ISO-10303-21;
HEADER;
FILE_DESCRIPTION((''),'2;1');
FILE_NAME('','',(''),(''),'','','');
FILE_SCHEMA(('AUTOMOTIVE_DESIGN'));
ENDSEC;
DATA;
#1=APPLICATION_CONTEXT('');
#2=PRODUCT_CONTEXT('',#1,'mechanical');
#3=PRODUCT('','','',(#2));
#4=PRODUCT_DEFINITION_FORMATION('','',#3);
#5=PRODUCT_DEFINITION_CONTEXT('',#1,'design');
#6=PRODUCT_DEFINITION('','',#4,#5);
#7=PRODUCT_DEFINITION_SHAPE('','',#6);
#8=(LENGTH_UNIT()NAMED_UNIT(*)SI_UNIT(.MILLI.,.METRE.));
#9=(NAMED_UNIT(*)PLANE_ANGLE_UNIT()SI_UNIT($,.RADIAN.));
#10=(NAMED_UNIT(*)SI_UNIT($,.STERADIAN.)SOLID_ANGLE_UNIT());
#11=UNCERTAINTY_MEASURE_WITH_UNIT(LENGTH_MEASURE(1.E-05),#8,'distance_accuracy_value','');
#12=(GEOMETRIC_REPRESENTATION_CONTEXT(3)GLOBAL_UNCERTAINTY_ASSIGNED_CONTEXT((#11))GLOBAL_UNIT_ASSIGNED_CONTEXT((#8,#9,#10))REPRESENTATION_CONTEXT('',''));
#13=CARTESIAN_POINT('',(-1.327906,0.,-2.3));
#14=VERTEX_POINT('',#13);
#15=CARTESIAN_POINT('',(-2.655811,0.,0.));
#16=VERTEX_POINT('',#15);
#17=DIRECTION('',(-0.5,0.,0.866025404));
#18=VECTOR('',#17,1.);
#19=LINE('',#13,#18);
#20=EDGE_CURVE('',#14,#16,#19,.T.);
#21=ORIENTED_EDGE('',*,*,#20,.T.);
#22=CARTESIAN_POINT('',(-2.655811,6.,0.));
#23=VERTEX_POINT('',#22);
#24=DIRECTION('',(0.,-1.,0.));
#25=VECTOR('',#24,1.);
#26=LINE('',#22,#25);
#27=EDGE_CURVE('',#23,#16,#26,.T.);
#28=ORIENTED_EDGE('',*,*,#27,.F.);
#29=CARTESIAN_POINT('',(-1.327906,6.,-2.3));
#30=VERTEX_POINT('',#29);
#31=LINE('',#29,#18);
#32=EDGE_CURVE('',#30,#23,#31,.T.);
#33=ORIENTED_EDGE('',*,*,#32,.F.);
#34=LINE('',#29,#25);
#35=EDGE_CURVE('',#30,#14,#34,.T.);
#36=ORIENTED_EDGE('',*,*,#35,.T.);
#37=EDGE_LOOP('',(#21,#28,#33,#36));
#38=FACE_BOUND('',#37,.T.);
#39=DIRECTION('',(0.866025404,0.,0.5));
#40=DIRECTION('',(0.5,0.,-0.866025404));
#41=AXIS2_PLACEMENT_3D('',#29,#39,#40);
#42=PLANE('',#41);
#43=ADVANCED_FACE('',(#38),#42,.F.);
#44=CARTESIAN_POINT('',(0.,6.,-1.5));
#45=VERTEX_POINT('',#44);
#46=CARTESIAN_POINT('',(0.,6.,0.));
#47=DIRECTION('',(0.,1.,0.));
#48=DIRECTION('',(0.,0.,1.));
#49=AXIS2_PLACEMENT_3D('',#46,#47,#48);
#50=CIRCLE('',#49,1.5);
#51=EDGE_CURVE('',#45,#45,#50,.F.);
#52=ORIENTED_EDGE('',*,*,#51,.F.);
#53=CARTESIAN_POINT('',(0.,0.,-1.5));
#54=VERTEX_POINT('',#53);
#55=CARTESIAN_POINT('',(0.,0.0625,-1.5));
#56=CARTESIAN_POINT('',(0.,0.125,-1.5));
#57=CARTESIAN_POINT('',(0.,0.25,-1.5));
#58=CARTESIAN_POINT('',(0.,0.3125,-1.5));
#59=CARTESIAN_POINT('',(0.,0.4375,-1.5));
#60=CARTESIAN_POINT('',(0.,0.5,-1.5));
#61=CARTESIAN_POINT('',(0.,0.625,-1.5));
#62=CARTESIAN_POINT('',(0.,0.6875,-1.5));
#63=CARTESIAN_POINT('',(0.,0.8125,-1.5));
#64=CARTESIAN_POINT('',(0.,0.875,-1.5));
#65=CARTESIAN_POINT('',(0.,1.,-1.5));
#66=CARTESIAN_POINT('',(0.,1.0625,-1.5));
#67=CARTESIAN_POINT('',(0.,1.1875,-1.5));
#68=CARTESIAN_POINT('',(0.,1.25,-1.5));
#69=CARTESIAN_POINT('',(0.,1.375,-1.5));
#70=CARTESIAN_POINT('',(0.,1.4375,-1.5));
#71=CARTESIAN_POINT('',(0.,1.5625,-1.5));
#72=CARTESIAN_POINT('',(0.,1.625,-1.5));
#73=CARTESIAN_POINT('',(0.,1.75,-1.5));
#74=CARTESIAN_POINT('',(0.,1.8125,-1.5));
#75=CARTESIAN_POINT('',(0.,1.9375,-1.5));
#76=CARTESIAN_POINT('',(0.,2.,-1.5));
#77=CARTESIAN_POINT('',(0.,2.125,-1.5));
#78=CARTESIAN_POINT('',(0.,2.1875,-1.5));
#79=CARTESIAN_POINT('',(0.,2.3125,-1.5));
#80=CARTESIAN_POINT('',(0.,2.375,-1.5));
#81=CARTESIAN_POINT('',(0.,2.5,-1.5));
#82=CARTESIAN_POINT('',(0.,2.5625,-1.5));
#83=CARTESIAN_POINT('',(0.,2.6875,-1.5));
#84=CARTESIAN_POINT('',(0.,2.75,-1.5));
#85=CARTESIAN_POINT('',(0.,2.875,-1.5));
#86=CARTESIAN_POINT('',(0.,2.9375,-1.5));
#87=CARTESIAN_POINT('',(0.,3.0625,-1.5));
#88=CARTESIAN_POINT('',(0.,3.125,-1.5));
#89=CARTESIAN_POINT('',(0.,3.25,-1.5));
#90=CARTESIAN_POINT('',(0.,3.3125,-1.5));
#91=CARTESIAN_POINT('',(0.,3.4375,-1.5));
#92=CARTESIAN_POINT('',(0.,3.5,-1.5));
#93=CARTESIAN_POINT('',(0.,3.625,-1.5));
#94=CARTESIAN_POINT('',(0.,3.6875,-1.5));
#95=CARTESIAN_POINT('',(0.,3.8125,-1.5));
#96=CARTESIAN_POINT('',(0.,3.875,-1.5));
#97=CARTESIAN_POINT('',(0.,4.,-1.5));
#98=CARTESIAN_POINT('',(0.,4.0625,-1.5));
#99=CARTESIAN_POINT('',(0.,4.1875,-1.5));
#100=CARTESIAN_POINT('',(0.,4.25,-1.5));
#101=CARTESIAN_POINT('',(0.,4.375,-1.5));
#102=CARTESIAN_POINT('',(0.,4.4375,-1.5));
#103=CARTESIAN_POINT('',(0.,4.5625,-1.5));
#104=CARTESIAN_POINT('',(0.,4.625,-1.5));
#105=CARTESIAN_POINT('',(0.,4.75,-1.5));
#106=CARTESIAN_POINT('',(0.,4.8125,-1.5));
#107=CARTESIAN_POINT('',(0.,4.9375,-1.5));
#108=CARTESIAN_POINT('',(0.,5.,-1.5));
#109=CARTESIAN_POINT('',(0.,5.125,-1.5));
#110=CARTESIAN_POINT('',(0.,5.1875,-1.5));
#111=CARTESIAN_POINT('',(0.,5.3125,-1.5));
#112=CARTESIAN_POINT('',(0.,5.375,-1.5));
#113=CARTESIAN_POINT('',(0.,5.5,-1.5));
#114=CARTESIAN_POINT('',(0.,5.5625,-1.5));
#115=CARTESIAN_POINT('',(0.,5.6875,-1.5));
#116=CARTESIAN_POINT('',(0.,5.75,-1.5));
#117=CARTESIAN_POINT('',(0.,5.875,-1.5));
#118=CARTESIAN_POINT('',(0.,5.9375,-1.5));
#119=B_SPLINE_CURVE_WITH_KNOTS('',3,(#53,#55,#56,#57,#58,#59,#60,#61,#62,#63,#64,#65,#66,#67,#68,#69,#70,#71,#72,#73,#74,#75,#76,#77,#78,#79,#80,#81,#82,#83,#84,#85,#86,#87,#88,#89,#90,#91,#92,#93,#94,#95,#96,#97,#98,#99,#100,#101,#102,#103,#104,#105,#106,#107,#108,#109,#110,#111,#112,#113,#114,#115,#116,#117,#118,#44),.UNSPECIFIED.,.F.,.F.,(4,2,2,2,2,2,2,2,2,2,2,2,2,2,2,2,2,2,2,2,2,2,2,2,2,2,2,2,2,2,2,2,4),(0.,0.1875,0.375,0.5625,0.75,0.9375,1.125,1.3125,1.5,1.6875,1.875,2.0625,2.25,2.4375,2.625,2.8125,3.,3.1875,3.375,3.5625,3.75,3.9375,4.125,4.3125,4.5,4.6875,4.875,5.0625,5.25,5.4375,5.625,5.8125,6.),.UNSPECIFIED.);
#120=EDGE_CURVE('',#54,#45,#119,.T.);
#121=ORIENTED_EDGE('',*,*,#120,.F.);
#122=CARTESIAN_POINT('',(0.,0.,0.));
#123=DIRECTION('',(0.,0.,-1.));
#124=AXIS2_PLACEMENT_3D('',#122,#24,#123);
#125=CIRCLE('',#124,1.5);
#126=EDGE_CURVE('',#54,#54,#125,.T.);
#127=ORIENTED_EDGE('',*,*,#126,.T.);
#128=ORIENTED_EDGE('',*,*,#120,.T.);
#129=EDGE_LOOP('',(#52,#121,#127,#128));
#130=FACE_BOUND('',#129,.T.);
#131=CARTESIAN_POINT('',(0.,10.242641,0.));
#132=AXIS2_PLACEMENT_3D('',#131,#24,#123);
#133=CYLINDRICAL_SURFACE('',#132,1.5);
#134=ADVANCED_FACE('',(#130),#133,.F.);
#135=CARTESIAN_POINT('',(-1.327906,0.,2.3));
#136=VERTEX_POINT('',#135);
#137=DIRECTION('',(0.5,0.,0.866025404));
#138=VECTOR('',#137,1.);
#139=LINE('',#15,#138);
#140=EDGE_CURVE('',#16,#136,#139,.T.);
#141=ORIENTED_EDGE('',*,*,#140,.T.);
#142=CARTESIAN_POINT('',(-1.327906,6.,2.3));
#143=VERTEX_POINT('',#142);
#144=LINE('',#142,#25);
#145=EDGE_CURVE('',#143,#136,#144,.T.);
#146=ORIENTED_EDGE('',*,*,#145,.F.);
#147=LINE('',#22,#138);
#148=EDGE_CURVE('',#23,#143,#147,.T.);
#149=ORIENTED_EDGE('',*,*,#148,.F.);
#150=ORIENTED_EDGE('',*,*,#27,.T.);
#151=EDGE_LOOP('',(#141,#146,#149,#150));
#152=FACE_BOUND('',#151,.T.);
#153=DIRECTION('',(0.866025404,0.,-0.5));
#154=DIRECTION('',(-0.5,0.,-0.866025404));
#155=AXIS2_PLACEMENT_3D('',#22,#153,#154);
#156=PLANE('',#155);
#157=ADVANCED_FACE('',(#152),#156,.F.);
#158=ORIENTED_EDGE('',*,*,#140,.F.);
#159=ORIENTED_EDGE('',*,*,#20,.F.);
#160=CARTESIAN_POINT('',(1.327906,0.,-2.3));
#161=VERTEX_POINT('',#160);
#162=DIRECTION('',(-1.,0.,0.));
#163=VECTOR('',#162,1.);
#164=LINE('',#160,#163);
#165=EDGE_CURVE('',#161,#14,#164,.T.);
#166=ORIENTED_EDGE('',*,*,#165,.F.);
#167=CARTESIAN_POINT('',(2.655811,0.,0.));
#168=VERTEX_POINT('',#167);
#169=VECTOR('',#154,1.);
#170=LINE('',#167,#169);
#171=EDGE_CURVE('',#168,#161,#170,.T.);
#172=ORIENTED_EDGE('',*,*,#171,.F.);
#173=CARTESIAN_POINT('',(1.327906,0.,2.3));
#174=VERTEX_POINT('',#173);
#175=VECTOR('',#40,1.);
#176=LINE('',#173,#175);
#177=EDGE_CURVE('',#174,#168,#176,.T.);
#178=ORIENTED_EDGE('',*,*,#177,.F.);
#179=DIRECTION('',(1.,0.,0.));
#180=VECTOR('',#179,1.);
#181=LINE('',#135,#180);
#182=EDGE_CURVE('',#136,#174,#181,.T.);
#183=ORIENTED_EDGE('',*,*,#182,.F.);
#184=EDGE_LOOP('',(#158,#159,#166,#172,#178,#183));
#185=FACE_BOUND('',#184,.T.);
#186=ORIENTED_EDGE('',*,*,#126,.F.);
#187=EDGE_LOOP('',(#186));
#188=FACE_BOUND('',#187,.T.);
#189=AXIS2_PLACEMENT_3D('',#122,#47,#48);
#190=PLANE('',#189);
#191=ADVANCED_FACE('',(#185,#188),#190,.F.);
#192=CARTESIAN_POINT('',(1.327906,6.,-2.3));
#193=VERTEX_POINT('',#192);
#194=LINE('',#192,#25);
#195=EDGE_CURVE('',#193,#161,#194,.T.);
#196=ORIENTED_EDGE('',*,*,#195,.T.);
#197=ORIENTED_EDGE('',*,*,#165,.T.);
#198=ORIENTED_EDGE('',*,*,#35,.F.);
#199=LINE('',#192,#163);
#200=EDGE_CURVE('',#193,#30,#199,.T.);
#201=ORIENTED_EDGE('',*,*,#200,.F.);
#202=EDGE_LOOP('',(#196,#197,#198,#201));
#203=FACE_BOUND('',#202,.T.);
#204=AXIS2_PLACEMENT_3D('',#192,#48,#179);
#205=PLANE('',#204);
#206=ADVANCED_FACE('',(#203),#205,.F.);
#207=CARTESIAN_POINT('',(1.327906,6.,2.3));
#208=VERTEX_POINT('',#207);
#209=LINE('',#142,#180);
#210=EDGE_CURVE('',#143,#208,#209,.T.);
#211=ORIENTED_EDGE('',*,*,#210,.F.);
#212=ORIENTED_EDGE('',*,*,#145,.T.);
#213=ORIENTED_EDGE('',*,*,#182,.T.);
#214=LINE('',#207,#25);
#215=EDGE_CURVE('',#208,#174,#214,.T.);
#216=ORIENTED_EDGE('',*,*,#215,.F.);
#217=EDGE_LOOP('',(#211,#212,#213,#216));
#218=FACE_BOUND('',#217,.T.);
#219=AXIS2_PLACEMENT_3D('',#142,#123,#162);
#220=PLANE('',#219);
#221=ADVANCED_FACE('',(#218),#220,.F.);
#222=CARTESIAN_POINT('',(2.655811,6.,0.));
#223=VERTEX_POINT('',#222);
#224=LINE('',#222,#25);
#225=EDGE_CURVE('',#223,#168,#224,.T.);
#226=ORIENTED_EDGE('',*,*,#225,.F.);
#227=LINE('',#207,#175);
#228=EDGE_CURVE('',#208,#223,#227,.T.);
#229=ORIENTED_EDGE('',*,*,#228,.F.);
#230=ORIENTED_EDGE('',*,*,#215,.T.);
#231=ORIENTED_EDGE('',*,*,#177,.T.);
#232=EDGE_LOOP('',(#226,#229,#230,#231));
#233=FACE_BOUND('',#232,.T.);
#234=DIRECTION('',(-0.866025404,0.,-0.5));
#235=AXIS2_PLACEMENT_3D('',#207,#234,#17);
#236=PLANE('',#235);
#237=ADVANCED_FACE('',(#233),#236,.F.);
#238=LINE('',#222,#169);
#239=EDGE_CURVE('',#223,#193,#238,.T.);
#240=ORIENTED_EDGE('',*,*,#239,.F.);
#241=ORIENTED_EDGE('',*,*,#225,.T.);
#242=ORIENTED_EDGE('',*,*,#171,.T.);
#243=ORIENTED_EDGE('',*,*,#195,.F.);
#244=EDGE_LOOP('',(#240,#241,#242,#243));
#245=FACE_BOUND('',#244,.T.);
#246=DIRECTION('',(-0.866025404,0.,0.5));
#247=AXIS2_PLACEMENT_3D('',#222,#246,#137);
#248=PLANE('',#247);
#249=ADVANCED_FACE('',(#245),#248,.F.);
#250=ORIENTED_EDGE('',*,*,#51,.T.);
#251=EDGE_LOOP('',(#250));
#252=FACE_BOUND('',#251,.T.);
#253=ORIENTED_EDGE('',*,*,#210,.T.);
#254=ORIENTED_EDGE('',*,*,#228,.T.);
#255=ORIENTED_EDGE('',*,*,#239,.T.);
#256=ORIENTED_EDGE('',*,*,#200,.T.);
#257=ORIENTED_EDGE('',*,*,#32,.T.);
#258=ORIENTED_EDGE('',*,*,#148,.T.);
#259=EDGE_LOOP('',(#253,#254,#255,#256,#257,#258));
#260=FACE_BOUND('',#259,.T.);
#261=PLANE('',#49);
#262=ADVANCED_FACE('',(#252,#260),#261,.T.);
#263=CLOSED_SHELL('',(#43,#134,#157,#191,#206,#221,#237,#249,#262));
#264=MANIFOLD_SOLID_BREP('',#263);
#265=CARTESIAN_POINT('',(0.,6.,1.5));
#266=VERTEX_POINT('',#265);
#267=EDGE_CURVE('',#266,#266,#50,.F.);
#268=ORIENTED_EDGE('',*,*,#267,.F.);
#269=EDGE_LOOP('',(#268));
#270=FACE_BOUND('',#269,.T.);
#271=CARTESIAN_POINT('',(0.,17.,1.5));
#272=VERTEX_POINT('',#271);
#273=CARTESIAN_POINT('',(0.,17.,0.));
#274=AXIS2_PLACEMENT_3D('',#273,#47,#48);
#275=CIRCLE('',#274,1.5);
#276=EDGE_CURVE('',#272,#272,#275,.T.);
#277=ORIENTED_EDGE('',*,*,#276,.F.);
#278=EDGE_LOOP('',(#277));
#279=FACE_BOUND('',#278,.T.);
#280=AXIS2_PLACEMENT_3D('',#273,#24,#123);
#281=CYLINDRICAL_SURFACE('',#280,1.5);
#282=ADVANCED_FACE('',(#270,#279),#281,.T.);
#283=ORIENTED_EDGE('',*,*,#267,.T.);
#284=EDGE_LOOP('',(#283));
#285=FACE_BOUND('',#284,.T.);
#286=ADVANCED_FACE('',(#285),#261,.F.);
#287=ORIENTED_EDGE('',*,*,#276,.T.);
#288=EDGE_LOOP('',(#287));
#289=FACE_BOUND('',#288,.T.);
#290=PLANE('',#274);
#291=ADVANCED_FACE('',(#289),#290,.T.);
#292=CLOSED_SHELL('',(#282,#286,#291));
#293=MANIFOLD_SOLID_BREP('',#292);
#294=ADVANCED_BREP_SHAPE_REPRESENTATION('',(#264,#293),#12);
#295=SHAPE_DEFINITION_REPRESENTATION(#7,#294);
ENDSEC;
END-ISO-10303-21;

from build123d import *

# Parameters (mm, degrees)
EXTRUDE_1_DEPTH     = 6
SKETCH_3_R          = 1.5
EXTRUDE_2_DEPTH     = 11
SKETCH_4_R          = 1.5
CUT_EXTRUDE_1_DEPTH = 6


with BuildPart() as part:
    # 草图1 → 凸台-拉伸1 (new body)
    with BuildSketch(Plane(origin=(0, 0, 0), x_dir=(1, 0, 0), z_dir=(0, 1, 0))):
        Polygon((-1.327905619, 2.3), (-2.655811238, 0), (-1.327905619, -2.3), (1.327905619, -2.3), (2.655811238, 0), (1.327905619, 2.3), align=None)
    extrude(amount=EXTRUDE_1_DEPTH)

    # 草图3 → 凸台-拉伸2 (add)
    with BuildSketch(Plane(origin=(0, 6, 0), x_dir=(1, 0, 0), z_dir=(0, 1, 0))):
        with Locations(Location((0, 0, 0), (0, 0, 270))):
            Circle(SKETCH_3_R)
    extrude(amount=EXTRUDE_2_DEPTH)

    # 草图4 → 切除-拉伸1 (cut)
    with BuildSketch(Plane.XZ):
        with Locations(Location((0, 0, 0), (0, 0, 270))):
            Circle(SKETCH_4_R)
    extrude(amount=-CUT_EXTRUDE_1_DEPTH, mode=Mode.SUBTRACT)


with BuildPart() as cut_extrude_1_piece_1:
    # of the separate pieces the step leaves, piece 1, a body of its own (cut_extrude_1_pieces)
    add(part.part.solids().sort_by_distance((0, 17, 1.5))[0])


with BuildPart() as cut_extrude_1_piece_2:
    # of the separate pieces the step leaves, piece 2, a body of its own (cut_extrude_1_pieces)
    add(part.part.solids().sort_by_distance((-1.327905619, 0, -2.3))[0])


solid = Compound([cut_extrude_1_piece_1.part, cut_extrude_1_piece_2.part])
